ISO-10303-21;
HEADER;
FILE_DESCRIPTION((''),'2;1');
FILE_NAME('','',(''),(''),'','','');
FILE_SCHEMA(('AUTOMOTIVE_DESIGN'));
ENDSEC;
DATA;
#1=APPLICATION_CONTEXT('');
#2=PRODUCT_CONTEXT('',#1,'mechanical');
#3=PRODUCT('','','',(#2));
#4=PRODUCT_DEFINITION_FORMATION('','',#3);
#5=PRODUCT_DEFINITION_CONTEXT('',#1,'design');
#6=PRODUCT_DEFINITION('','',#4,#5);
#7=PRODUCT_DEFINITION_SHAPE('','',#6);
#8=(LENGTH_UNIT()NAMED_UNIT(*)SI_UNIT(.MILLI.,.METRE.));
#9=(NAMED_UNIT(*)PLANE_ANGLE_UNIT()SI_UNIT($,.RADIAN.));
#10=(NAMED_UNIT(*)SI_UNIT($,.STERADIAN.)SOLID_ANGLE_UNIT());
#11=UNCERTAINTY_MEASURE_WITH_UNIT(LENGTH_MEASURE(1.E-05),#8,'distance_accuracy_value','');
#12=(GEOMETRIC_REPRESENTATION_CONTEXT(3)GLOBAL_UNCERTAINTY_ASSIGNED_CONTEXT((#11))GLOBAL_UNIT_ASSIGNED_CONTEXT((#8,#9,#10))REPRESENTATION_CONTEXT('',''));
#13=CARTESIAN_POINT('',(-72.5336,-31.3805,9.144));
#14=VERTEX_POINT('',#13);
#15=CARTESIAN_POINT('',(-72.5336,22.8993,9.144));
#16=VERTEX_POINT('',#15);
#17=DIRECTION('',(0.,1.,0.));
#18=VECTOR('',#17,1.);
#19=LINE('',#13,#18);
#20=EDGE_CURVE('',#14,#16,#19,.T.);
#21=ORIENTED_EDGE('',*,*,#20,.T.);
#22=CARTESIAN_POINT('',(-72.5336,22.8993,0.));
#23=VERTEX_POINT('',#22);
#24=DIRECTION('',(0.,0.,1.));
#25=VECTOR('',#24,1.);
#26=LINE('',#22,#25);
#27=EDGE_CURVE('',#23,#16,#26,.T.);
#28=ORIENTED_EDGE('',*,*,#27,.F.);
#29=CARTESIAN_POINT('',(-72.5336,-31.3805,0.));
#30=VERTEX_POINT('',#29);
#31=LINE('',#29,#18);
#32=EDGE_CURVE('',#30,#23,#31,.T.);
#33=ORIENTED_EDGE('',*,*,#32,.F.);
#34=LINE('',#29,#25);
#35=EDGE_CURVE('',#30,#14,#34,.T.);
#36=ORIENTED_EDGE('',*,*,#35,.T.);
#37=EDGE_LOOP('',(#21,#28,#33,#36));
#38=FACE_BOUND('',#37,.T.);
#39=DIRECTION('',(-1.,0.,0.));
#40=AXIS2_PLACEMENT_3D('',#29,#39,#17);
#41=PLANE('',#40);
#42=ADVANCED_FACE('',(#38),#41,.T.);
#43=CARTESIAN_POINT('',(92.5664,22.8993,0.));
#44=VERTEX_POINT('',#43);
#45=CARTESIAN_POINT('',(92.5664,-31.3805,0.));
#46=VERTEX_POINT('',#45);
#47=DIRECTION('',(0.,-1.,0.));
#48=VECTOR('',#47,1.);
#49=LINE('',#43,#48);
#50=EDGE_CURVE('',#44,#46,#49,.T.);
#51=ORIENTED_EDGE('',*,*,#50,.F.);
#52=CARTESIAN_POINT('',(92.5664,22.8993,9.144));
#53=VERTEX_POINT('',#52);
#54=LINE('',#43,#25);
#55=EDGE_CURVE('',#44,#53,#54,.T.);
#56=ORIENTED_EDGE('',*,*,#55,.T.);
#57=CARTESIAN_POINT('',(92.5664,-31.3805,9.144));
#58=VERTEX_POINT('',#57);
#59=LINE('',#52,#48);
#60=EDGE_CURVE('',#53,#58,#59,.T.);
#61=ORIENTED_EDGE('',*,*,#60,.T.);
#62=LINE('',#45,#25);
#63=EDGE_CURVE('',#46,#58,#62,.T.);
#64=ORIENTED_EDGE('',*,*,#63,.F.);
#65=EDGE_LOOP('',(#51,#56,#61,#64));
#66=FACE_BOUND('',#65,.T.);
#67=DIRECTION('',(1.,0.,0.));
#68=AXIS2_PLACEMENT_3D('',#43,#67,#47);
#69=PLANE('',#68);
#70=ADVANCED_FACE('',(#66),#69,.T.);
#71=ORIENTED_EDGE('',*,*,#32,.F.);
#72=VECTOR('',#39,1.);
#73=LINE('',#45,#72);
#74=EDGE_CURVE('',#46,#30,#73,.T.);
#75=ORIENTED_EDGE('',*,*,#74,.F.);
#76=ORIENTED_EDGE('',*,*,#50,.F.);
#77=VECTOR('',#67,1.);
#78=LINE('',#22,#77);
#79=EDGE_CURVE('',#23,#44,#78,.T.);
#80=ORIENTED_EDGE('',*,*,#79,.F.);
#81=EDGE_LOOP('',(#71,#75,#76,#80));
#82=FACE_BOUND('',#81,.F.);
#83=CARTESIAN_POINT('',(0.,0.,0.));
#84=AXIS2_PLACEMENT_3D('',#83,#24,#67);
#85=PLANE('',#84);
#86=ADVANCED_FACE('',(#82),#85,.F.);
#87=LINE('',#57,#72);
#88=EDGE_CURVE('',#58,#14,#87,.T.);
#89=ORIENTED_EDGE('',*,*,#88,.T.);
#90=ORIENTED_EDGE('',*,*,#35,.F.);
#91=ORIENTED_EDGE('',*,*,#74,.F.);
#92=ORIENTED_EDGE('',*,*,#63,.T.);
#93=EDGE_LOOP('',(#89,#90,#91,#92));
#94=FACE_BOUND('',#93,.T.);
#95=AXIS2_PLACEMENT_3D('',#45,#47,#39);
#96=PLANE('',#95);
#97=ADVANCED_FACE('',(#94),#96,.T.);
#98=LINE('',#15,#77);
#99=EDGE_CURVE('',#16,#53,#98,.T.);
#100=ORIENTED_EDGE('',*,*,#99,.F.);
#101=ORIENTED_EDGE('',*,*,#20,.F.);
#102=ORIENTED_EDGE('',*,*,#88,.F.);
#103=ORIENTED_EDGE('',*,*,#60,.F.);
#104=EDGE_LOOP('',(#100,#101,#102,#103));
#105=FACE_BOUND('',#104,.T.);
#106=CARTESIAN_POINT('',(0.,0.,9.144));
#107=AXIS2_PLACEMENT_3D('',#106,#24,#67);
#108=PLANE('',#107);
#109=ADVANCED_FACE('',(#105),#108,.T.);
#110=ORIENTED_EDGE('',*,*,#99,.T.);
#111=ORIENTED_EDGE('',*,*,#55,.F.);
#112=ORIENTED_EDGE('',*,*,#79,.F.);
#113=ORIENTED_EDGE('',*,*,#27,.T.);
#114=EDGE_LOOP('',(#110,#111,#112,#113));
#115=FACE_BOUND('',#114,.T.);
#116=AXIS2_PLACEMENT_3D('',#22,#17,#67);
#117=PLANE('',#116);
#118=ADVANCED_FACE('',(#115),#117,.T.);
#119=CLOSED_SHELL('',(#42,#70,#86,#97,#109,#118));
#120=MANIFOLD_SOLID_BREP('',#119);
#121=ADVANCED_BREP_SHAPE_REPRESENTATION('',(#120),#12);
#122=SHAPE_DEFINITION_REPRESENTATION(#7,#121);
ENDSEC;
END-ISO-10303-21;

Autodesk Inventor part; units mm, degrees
ref_plane "YZ Plane" through (0, 0, 0) normal (1, 0, 0) x (0, 1, 0)
ref_plane "XZ Plane" through (0, 0, 0) normal (0, 1, 0) x (-1, 0, 0)
ref_plane "XY Plane" through (0, 0, 0) normal (0, 0, 1) x (1, 0, 0)
sketch "Sketch1" plane through (0, 0, 0) normal (0, 0, 1) x (1, 0, 0)
  line L0 (-72.5336, 22.8993) -> (92.5664, 22.8993)
  line L1 (92.5664, 22.8993) -> (92.5664, -31.3805)
  line L2 (92.5664, -31.3805) -> (-72.5336, -31.3805)
  line L3 (-72.5336, -31.3805) -> (-72.5336, 22.8993)
  point P0 (0, 0)
  dimension "d0" = 54.2798
  dimension "d1" = 165.1
extrude "Extrusion1" add sketch "Sketch1" along normal blind 9.144
properties part number "Aidasn Sherry Breadboard"
